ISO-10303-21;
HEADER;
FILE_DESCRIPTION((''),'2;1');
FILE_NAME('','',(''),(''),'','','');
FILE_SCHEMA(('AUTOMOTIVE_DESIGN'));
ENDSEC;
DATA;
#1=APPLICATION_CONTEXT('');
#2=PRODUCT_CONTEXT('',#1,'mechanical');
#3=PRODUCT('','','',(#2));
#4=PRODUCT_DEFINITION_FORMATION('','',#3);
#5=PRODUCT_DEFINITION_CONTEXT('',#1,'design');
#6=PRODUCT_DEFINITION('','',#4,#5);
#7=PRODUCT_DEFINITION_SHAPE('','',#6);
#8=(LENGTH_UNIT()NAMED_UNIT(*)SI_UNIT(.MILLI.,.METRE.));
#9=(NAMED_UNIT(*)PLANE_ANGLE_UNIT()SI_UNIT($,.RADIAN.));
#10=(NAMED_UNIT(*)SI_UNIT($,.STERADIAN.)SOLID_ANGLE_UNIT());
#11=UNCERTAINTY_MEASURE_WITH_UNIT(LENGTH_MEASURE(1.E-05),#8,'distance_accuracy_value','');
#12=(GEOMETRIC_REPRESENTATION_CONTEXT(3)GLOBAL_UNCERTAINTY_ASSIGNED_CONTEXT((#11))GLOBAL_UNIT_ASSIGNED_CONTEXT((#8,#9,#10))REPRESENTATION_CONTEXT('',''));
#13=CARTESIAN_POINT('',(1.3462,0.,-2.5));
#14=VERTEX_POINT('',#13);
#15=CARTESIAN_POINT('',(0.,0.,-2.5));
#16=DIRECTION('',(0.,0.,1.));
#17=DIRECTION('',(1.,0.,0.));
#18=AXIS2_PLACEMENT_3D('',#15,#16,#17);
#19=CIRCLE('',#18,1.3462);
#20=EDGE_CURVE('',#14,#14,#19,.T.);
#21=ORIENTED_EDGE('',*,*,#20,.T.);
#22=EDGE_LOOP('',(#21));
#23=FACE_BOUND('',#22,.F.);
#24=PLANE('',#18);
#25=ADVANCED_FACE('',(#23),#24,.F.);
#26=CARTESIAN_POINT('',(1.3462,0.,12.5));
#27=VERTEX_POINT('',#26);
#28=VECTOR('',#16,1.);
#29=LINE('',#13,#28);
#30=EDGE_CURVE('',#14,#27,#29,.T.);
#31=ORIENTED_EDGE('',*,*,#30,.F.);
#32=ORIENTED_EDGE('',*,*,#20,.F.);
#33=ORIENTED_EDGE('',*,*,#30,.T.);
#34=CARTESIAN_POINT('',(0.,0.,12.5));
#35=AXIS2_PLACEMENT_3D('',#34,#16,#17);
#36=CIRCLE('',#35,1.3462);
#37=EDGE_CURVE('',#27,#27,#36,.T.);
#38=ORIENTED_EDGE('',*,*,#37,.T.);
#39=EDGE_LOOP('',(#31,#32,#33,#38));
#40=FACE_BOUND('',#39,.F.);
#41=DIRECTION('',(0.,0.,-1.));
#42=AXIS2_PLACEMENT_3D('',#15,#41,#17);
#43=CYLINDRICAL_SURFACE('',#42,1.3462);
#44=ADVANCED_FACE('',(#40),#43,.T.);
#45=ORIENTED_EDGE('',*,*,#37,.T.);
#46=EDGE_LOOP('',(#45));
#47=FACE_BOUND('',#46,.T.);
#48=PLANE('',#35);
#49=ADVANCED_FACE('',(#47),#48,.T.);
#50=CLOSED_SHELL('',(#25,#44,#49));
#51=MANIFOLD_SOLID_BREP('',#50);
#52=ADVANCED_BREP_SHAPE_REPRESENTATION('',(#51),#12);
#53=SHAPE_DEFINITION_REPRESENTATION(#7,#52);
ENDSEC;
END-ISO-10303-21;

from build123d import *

# Parameters (mm, degrees)
CYLINDER_R     = 1.3462
CYLINDER_DEPTH = 15


with BuildPart() as part:
    # Cylinder → Cylinder (new body)
    with BuildSketch(Plane.XY.offset(-2.5)):
        Circle(CYLINDER_R)
    extrude(amount=CYLINDER_DEPTH)


solid = part.part
